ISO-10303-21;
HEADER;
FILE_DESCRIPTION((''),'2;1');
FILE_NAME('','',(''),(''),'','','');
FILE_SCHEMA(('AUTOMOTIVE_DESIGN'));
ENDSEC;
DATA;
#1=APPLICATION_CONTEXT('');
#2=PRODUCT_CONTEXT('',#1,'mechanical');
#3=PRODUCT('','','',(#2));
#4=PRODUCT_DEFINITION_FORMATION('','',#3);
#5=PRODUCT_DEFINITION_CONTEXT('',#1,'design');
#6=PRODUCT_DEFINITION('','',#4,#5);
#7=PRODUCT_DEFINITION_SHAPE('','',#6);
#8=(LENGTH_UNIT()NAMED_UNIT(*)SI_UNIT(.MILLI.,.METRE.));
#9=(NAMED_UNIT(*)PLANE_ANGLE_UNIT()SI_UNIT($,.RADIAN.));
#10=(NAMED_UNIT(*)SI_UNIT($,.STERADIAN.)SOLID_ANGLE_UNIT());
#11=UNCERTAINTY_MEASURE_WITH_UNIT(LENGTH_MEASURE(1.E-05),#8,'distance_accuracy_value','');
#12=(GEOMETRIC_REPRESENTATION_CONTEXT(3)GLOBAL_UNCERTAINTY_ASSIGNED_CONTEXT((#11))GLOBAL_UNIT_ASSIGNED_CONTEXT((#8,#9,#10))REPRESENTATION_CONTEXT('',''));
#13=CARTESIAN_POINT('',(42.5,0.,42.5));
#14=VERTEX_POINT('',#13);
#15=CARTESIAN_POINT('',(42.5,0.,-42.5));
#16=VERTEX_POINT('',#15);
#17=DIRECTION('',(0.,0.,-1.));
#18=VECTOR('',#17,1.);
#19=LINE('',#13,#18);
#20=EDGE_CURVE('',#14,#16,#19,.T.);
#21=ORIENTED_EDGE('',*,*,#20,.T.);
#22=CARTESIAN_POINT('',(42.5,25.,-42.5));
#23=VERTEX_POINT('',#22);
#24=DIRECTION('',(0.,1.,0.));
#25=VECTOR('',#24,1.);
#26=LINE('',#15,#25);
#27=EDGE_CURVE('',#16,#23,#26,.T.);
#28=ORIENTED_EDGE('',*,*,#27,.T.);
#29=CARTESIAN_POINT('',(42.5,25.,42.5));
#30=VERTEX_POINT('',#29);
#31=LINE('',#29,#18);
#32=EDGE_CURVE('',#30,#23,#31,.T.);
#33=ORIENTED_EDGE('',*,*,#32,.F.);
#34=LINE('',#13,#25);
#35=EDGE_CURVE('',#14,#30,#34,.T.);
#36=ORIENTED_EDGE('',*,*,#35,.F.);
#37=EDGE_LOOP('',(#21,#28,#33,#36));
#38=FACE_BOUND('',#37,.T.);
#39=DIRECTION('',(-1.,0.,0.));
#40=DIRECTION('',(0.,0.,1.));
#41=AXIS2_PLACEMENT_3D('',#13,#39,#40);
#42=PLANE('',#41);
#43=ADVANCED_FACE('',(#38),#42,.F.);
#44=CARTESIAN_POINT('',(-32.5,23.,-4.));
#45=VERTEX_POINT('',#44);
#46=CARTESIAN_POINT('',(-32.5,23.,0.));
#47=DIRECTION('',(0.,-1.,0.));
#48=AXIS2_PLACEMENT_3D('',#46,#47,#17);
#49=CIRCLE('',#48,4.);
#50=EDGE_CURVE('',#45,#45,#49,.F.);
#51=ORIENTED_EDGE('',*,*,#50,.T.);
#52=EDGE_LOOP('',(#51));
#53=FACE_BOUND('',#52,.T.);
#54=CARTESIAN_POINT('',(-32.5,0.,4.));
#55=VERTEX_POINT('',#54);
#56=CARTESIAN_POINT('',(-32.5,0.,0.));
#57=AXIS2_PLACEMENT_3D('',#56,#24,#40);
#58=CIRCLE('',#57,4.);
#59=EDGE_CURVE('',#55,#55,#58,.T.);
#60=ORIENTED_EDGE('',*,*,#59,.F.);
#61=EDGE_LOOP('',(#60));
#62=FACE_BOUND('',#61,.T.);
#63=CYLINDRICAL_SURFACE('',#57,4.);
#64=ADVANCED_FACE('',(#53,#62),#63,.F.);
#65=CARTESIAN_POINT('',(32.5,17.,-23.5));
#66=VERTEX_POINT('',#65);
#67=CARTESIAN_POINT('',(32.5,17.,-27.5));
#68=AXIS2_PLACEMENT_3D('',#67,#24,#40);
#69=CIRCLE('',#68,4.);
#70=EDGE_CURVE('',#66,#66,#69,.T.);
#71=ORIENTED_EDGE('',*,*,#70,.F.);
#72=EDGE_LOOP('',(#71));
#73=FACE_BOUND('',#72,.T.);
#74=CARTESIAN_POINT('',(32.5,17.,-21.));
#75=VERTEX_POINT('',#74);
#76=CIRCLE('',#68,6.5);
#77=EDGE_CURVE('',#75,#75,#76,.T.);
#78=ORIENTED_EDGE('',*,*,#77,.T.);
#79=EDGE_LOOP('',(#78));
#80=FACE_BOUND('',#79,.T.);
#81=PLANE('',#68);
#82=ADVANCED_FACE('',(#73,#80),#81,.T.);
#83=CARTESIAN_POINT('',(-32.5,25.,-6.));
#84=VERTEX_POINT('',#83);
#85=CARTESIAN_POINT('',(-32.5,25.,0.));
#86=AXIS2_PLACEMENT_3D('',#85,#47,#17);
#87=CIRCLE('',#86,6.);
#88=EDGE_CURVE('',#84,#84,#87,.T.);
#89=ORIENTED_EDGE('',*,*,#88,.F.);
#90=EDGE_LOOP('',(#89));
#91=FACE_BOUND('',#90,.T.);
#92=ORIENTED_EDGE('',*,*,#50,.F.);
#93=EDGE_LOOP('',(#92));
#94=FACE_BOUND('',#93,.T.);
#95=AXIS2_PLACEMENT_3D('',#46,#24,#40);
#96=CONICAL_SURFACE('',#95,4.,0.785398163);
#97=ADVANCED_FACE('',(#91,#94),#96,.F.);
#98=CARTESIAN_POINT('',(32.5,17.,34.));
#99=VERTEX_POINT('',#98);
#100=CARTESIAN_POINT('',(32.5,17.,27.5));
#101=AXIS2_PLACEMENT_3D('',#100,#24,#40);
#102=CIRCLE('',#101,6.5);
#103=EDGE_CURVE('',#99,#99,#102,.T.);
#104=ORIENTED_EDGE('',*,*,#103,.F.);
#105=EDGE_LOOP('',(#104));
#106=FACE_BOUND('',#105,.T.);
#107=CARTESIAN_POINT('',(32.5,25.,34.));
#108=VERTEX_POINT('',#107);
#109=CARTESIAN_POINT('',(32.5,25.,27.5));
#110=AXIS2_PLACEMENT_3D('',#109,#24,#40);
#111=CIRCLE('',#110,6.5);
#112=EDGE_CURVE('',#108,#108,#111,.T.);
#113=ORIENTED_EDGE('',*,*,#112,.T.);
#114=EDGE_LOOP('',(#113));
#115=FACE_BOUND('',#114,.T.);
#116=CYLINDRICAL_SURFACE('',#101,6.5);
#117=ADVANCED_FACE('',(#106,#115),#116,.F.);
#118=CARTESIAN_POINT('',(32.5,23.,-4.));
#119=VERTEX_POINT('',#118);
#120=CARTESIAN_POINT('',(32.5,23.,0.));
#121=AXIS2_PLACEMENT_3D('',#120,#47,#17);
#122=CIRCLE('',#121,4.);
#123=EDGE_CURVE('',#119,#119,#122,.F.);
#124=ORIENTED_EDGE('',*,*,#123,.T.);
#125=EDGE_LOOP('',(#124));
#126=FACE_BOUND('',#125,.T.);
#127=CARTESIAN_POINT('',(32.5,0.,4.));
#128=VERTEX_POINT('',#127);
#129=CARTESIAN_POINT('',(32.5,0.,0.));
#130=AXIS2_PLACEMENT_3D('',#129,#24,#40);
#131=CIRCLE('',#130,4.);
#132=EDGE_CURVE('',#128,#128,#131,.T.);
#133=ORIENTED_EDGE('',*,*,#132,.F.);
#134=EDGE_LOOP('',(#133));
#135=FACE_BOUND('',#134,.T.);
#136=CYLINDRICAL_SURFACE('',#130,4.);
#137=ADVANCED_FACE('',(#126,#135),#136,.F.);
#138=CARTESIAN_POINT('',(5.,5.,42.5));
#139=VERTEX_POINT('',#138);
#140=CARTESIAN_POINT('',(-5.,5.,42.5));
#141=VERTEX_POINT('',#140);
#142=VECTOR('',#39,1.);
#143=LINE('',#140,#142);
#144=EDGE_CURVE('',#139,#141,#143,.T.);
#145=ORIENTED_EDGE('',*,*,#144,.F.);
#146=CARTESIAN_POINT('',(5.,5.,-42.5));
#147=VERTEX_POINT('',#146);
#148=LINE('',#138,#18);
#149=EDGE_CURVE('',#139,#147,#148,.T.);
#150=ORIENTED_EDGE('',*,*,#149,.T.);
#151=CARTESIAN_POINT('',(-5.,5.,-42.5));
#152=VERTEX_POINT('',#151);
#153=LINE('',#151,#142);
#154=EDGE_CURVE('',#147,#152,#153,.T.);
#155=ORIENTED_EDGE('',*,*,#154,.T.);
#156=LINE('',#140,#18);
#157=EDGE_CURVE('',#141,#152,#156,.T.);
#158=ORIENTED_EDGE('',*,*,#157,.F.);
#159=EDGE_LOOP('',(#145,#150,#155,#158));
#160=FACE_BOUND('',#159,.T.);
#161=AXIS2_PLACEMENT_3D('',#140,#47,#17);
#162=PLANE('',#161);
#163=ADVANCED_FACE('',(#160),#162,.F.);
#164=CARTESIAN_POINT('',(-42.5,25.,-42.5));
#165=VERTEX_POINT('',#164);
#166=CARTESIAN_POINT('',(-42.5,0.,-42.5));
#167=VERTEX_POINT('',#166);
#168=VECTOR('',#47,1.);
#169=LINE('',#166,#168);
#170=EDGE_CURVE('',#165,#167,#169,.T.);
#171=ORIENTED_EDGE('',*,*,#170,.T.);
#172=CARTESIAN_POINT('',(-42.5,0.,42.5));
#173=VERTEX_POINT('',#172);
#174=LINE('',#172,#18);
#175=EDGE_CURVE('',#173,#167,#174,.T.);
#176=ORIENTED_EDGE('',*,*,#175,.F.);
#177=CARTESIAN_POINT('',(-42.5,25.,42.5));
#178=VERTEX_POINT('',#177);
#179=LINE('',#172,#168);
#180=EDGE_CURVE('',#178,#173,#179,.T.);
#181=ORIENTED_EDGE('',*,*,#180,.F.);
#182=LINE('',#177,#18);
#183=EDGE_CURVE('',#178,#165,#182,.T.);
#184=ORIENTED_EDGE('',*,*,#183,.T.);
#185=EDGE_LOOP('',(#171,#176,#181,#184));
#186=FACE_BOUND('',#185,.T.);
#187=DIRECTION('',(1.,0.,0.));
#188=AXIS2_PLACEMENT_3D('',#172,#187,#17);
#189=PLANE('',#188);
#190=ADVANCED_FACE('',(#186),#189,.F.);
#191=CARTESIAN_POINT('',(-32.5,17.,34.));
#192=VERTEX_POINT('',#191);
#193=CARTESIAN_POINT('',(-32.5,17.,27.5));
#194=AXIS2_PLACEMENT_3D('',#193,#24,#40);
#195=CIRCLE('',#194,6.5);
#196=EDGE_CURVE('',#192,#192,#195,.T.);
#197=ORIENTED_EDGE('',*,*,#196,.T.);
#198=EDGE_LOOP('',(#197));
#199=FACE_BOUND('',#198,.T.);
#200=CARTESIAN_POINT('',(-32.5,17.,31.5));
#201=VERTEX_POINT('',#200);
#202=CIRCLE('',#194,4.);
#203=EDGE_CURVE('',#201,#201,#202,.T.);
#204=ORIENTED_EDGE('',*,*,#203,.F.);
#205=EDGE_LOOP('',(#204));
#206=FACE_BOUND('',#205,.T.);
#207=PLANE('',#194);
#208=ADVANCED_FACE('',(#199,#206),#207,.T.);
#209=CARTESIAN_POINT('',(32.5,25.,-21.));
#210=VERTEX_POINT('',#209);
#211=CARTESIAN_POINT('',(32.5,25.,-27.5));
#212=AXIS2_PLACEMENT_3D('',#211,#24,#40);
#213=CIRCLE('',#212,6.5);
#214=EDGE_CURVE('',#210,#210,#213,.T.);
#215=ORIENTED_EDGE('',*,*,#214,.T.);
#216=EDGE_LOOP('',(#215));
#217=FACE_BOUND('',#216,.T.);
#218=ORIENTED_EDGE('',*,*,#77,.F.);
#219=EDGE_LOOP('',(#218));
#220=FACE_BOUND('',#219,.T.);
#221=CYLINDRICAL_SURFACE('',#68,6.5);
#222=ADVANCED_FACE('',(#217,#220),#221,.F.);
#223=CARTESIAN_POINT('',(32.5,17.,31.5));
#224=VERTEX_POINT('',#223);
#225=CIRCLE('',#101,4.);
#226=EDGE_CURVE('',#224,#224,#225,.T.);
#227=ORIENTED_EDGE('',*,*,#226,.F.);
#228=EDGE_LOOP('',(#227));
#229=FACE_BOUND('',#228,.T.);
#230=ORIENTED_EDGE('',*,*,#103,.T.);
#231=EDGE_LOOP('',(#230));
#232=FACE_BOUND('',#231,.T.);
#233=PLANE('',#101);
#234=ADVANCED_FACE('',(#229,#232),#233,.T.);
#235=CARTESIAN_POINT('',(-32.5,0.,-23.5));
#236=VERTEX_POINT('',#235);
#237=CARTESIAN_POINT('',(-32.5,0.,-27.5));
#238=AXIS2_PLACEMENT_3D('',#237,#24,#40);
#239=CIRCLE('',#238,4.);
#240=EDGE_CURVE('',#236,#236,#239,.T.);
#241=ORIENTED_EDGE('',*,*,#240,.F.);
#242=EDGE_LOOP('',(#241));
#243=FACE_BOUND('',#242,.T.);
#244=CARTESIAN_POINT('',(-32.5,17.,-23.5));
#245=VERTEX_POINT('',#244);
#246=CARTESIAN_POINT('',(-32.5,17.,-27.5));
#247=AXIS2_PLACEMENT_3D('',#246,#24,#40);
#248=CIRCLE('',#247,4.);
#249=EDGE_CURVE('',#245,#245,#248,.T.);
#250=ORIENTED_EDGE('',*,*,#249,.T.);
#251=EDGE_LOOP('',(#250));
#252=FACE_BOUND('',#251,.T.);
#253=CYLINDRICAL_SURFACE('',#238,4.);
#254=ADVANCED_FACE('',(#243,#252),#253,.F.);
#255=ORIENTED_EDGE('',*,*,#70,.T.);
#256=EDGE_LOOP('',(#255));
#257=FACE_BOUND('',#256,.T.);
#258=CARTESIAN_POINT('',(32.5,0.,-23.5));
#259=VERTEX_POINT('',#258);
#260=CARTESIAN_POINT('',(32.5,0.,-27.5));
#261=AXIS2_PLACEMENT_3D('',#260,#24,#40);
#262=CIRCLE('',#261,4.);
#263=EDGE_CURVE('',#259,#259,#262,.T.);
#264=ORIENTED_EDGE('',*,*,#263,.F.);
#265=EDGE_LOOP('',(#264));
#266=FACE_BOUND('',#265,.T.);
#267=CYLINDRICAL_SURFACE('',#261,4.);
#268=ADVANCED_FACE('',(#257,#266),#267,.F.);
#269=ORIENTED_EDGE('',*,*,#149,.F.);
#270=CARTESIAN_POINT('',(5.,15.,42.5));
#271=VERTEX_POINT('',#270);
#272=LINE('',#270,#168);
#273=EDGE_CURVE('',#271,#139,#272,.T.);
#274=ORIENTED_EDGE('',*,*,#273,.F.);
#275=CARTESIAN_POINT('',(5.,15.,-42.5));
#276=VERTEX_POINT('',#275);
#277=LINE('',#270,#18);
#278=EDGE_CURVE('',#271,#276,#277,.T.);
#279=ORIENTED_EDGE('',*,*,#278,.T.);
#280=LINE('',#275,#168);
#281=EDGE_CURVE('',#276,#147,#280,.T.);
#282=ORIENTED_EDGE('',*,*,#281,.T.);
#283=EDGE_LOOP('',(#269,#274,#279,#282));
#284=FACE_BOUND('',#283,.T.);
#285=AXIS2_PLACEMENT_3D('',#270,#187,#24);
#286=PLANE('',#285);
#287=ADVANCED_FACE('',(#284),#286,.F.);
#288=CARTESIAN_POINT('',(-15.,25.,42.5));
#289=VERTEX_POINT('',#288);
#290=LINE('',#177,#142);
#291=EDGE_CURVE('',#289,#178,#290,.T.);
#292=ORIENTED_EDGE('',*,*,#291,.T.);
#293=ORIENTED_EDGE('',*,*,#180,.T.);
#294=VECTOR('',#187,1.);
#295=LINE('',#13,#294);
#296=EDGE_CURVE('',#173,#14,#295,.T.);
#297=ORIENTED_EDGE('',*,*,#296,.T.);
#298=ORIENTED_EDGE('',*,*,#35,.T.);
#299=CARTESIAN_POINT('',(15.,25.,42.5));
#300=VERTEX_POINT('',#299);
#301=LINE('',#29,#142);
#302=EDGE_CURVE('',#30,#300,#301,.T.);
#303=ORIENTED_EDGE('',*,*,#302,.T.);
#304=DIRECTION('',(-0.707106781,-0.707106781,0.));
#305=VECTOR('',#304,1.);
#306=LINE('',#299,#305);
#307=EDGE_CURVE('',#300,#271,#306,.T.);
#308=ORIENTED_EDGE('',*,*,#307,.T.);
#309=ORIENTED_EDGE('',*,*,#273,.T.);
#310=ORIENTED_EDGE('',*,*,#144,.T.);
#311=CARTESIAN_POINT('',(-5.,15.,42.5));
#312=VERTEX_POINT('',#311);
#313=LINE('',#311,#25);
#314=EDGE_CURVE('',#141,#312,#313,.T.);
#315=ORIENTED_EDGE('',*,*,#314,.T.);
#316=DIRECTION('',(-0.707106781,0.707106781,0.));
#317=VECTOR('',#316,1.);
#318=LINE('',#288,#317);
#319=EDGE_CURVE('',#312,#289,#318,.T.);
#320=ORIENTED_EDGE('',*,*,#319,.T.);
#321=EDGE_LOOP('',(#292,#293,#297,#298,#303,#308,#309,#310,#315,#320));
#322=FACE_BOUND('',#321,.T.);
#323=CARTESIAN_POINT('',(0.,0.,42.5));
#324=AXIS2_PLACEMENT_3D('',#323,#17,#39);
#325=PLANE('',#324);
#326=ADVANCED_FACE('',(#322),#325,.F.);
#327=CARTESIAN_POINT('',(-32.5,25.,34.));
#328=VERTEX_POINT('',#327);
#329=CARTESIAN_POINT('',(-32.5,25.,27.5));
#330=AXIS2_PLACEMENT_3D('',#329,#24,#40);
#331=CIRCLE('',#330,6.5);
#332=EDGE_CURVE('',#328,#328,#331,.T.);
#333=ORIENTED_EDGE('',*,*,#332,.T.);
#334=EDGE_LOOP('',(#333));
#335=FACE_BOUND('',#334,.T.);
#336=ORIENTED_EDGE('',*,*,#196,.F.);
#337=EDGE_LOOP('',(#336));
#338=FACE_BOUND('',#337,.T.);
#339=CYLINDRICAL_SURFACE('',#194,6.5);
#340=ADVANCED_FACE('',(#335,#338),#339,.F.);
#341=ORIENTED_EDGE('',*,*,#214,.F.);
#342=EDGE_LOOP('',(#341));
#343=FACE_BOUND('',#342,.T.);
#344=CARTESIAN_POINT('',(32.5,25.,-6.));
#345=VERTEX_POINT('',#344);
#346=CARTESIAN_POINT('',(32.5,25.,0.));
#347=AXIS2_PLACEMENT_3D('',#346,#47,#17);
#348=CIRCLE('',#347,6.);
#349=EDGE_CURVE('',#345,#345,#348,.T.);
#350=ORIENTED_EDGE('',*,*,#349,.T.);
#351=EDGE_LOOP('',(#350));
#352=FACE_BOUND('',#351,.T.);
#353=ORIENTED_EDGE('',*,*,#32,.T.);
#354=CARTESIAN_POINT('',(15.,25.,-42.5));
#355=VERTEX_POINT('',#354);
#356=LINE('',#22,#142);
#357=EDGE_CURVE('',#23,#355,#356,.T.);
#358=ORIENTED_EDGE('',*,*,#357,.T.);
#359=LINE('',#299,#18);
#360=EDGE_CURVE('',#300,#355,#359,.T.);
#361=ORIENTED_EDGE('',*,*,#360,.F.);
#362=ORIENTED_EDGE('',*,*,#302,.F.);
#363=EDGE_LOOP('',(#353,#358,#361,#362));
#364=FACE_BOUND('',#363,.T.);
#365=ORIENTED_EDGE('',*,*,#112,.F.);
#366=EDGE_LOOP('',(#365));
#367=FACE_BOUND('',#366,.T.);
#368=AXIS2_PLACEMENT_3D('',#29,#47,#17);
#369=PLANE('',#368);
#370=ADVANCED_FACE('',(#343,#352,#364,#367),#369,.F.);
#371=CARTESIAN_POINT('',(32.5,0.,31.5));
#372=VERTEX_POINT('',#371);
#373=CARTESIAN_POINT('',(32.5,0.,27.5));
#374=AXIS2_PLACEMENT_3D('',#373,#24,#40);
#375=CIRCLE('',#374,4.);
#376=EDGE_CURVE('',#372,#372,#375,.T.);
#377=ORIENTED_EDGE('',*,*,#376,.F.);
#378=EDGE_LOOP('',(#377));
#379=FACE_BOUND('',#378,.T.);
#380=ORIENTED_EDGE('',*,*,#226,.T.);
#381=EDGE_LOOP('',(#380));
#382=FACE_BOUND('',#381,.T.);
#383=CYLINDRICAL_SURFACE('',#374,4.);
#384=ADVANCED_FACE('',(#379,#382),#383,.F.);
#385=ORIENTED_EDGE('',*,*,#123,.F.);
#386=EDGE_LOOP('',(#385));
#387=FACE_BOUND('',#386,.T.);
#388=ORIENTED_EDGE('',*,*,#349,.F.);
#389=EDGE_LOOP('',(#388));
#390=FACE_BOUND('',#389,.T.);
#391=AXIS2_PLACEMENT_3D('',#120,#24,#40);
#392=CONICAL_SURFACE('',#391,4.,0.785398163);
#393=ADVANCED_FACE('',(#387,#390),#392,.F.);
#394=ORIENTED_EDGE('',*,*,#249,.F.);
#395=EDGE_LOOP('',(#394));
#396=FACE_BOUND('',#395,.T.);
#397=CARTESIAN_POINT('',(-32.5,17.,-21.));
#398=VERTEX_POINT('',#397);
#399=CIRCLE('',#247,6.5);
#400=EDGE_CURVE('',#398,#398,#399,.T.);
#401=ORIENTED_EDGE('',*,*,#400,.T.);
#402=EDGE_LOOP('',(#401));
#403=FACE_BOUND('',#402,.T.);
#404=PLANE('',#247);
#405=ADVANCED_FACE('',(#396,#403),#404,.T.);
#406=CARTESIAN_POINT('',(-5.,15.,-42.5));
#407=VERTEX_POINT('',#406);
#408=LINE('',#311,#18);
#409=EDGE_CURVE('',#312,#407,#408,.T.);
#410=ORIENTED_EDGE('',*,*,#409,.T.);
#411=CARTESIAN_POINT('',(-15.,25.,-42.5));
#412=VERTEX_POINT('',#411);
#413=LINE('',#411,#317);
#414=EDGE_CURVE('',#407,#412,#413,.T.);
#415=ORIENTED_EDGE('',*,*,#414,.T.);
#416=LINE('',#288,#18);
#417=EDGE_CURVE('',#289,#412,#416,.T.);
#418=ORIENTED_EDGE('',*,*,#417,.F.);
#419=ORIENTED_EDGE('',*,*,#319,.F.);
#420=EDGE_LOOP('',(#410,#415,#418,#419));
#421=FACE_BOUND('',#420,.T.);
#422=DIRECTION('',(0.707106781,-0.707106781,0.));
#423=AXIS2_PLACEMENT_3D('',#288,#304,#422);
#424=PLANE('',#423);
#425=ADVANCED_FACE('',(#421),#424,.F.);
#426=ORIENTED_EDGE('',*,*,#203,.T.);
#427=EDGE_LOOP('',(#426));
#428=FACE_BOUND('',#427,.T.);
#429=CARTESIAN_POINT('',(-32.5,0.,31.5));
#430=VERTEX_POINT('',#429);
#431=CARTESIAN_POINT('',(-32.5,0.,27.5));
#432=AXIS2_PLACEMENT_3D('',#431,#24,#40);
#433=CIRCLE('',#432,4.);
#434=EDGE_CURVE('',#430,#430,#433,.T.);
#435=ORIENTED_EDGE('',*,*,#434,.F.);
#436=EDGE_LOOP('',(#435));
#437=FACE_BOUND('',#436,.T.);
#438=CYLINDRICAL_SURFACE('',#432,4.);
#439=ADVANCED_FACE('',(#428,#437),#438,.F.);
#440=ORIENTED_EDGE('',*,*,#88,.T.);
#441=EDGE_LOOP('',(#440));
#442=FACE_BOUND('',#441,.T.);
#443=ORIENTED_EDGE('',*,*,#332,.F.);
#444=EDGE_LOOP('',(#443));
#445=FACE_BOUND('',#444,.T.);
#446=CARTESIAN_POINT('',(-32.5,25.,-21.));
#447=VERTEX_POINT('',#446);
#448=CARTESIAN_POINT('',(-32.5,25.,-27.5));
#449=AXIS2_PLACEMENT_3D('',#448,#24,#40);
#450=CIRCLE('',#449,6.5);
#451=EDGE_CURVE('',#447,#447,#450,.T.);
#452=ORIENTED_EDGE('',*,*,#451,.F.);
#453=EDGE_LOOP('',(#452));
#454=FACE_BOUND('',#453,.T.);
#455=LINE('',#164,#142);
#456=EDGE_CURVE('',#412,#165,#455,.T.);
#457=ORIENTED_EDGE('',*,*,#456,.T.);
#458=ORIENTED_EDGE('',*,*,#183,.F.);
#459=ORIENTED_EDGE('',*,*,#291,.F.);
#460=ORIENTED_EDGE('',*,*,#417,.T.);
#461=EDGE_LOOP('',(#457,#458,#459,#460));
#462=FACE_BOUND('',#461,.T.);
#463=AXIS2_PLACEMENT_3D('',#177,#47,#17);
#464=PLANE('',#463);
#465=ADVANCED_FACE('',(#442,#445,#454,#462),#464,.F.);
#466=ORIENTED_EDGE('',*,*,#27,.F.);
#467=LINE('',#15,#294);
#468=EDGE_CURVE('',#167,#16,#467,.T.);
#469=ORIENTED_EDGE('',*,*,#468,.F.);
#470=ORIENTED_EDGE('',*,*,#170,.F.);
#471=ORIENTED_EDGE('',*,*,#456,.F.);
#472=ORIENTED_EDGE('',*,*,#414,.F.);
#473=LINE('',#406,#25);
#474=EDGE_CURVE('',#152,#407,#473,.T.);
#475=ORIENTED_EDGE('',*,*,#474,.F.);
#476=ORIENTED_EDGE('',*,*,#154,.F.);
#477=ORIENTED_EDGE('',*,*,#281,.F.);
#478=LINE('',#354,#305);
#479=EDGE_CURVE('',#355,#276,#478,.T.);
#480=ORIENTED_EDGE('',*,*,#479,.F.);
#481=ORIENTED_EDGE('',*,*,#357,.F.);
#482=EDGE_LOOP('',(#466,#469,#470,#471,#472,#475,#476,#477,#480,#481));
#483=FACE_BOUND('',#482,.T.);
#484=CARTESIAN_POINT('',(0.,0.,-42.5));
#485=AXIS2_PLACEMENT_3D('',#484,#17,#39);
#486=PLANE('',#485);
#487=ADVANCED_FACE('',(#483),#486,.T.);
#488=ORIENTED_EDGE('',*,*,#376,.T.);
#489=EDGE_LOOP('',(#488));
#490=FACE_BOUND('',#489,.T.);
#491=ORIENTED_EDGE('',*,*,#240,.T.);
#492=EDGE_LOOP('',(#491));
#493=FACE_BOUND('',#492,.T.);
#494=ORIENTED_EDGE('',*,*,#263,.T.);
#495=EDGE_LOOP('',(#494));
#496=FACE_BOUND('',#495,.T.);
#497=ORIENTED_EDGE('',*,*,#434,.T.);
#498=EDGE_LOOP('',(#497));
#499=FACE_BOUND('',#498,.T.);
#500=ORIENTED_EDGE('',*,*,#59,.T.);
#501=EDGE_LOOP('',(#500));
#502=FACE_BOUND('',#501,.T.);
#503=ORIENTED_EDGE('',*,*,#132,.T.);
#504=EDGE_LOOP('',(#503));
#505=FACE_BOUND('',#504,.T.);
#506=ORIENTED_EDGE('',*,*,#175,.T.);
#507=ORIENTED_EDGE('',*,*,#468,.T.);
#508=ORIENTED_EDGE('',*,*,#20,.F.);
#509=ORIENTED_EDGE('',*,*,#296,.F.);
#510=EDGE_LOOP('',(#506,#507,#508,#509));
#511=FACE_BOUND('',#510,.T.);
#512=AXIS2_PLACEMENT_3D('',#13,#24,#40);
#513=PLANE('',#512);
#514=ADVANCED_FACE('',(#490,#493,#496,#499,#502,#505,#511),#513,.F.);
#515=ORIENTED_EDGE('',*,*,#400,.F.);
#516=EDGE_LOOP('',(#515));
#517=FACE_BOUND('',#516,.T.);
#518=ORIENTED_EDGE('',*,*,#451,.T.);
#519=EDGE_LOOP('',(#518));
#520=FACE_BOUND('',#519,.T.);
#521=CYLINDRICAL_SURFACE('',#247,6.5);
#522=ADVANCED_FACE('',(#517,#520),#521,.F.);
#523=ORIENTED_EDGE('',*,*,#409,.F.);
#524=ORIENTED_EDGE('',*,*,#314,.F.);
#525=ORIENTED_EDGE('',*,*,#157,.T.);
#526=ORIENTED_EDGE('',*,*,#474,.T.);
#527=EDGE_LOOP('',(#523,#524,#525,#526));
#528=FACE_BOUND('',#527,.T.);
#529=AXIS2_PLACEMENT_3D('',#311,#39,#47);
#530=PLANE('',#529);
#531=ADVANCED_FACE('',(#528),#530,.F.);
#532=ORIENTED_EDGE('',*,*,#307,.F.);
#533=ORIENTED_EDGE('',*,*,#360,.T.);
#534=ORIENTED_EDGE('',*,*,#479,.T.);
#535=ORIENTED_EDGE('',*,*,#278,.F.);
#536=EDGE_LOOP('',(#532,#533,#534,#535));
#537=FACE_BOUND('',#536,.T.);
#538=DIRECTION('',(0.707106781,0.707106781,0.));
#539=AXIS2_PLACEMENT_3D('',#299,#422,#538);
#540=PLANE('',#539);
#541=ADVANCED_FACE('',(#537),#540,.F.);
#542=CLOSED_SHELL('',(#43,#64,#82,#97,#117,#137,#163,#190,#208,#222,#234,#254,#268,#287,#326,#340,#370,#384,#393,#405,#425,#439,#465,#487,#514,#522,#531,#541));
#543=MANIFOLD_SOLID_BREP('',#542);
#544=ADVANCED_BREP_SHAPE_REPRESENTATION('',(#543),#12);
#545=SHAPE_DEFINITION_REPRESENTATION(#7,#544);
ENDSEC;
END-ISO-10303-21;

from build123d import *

# Parameters (mm, degrees)
EXTRUDE_1_DEPTH     = 42.5
SKETCH_2_R          = 6.5
CUT_EXTRUDE_1_DEPTH = 8
SKETCH_3_R          = 4
CUT_EXTRUDE_2_DEPTH = 66.096082831
CHAMFER_1_SIZE      = 2


with BuildPart() as part:
    # Эскиз1 → Бобышка-Вытянуть1 (new, symmetric)
    with BuildSketch(Plane.XY):
        Polygon((42.5, 0), (-42.5, 0), (-42.5, 25), (-15, 25), (-5, 15), (-5, 5), (5, 5), (5, 15), (15, 25), (42.5, 25), align=None)
    extrude(amount=EXTRUDE_1_DEPTH, both=True)

    # Эскиз2 → Вырез-Вытянуть1 (cut)
    with BuildSketch(Plane(origin=(0, 25, 0), x_dir=(1, 0, 0), z_dir=(0, 1, 0))):
        with Locations(Location((-32.5, 27.5, 0), (0, 0, 270))):
            Circle(SKETCH_2_R)
        with Locations(Location((-32.5, -27.5, 0), (0, 0, 270))):
            Circle(SKETCH_2_R)
        with Locations(Location((32.5, -27.5, 0), (0, 0, 270))):
            Circle(SKETCH_2_R)
        with Locations(Location((32.5, 27.5, 0), (0, 0, 270))):
            Circle(SKETCH_2_R)
    extrude(amount=-CUT_EXTRUDE_1_DEPTH, mode=Mode.SUBTRACT)

    # Эскиз3 → Вырез-Вытянуть2 (cut, through all)
    with BuildSketch(Plane(origin=(0, 25, 0), x_dir=(1, 0, 0), z_dir=(0, 1, 0))):
        with Locations(Location((-32.5, 0, 0), (0, 0, 270))):
            Circle(SKETCH_3_R)
        with Locations(Location((-32.5, 27.5, 0), (0, 0, 270))):
            Circle(SKETCH_3_R)
        with Locations(Location((32.5, 27.5, 0), (0, 0, 270))):
            Circle(SKETCH_3_R)
        with Locations(Location((32.5, 0, 0), (0, 0, 270))):
            Circle(SKETCH_3_R)
        with Locations(Location((32.5, -27.5, 0), (0, 0, 270))):
            Circle(SKETCH_3_R)
        with Locations(Location((-32.5, -27.5, 0), (0, 0, 270))):
            Circle(SKETCH_3_R)
    extrude(amount=-CUT_EXTRUDE_2_DEPTH, mode=Mode.SUBTRACT)

    # Фаска1
    chamfer_1_edges = [part.edges().sort_by_distance(p)[0] for p in [
        (-32.5, 25, -4),
        (32.5, 25, -4),
    ]]
    chamfer(chamfer_1_edges, length=CHAMFER_1_SIZE)


solid = part.part
